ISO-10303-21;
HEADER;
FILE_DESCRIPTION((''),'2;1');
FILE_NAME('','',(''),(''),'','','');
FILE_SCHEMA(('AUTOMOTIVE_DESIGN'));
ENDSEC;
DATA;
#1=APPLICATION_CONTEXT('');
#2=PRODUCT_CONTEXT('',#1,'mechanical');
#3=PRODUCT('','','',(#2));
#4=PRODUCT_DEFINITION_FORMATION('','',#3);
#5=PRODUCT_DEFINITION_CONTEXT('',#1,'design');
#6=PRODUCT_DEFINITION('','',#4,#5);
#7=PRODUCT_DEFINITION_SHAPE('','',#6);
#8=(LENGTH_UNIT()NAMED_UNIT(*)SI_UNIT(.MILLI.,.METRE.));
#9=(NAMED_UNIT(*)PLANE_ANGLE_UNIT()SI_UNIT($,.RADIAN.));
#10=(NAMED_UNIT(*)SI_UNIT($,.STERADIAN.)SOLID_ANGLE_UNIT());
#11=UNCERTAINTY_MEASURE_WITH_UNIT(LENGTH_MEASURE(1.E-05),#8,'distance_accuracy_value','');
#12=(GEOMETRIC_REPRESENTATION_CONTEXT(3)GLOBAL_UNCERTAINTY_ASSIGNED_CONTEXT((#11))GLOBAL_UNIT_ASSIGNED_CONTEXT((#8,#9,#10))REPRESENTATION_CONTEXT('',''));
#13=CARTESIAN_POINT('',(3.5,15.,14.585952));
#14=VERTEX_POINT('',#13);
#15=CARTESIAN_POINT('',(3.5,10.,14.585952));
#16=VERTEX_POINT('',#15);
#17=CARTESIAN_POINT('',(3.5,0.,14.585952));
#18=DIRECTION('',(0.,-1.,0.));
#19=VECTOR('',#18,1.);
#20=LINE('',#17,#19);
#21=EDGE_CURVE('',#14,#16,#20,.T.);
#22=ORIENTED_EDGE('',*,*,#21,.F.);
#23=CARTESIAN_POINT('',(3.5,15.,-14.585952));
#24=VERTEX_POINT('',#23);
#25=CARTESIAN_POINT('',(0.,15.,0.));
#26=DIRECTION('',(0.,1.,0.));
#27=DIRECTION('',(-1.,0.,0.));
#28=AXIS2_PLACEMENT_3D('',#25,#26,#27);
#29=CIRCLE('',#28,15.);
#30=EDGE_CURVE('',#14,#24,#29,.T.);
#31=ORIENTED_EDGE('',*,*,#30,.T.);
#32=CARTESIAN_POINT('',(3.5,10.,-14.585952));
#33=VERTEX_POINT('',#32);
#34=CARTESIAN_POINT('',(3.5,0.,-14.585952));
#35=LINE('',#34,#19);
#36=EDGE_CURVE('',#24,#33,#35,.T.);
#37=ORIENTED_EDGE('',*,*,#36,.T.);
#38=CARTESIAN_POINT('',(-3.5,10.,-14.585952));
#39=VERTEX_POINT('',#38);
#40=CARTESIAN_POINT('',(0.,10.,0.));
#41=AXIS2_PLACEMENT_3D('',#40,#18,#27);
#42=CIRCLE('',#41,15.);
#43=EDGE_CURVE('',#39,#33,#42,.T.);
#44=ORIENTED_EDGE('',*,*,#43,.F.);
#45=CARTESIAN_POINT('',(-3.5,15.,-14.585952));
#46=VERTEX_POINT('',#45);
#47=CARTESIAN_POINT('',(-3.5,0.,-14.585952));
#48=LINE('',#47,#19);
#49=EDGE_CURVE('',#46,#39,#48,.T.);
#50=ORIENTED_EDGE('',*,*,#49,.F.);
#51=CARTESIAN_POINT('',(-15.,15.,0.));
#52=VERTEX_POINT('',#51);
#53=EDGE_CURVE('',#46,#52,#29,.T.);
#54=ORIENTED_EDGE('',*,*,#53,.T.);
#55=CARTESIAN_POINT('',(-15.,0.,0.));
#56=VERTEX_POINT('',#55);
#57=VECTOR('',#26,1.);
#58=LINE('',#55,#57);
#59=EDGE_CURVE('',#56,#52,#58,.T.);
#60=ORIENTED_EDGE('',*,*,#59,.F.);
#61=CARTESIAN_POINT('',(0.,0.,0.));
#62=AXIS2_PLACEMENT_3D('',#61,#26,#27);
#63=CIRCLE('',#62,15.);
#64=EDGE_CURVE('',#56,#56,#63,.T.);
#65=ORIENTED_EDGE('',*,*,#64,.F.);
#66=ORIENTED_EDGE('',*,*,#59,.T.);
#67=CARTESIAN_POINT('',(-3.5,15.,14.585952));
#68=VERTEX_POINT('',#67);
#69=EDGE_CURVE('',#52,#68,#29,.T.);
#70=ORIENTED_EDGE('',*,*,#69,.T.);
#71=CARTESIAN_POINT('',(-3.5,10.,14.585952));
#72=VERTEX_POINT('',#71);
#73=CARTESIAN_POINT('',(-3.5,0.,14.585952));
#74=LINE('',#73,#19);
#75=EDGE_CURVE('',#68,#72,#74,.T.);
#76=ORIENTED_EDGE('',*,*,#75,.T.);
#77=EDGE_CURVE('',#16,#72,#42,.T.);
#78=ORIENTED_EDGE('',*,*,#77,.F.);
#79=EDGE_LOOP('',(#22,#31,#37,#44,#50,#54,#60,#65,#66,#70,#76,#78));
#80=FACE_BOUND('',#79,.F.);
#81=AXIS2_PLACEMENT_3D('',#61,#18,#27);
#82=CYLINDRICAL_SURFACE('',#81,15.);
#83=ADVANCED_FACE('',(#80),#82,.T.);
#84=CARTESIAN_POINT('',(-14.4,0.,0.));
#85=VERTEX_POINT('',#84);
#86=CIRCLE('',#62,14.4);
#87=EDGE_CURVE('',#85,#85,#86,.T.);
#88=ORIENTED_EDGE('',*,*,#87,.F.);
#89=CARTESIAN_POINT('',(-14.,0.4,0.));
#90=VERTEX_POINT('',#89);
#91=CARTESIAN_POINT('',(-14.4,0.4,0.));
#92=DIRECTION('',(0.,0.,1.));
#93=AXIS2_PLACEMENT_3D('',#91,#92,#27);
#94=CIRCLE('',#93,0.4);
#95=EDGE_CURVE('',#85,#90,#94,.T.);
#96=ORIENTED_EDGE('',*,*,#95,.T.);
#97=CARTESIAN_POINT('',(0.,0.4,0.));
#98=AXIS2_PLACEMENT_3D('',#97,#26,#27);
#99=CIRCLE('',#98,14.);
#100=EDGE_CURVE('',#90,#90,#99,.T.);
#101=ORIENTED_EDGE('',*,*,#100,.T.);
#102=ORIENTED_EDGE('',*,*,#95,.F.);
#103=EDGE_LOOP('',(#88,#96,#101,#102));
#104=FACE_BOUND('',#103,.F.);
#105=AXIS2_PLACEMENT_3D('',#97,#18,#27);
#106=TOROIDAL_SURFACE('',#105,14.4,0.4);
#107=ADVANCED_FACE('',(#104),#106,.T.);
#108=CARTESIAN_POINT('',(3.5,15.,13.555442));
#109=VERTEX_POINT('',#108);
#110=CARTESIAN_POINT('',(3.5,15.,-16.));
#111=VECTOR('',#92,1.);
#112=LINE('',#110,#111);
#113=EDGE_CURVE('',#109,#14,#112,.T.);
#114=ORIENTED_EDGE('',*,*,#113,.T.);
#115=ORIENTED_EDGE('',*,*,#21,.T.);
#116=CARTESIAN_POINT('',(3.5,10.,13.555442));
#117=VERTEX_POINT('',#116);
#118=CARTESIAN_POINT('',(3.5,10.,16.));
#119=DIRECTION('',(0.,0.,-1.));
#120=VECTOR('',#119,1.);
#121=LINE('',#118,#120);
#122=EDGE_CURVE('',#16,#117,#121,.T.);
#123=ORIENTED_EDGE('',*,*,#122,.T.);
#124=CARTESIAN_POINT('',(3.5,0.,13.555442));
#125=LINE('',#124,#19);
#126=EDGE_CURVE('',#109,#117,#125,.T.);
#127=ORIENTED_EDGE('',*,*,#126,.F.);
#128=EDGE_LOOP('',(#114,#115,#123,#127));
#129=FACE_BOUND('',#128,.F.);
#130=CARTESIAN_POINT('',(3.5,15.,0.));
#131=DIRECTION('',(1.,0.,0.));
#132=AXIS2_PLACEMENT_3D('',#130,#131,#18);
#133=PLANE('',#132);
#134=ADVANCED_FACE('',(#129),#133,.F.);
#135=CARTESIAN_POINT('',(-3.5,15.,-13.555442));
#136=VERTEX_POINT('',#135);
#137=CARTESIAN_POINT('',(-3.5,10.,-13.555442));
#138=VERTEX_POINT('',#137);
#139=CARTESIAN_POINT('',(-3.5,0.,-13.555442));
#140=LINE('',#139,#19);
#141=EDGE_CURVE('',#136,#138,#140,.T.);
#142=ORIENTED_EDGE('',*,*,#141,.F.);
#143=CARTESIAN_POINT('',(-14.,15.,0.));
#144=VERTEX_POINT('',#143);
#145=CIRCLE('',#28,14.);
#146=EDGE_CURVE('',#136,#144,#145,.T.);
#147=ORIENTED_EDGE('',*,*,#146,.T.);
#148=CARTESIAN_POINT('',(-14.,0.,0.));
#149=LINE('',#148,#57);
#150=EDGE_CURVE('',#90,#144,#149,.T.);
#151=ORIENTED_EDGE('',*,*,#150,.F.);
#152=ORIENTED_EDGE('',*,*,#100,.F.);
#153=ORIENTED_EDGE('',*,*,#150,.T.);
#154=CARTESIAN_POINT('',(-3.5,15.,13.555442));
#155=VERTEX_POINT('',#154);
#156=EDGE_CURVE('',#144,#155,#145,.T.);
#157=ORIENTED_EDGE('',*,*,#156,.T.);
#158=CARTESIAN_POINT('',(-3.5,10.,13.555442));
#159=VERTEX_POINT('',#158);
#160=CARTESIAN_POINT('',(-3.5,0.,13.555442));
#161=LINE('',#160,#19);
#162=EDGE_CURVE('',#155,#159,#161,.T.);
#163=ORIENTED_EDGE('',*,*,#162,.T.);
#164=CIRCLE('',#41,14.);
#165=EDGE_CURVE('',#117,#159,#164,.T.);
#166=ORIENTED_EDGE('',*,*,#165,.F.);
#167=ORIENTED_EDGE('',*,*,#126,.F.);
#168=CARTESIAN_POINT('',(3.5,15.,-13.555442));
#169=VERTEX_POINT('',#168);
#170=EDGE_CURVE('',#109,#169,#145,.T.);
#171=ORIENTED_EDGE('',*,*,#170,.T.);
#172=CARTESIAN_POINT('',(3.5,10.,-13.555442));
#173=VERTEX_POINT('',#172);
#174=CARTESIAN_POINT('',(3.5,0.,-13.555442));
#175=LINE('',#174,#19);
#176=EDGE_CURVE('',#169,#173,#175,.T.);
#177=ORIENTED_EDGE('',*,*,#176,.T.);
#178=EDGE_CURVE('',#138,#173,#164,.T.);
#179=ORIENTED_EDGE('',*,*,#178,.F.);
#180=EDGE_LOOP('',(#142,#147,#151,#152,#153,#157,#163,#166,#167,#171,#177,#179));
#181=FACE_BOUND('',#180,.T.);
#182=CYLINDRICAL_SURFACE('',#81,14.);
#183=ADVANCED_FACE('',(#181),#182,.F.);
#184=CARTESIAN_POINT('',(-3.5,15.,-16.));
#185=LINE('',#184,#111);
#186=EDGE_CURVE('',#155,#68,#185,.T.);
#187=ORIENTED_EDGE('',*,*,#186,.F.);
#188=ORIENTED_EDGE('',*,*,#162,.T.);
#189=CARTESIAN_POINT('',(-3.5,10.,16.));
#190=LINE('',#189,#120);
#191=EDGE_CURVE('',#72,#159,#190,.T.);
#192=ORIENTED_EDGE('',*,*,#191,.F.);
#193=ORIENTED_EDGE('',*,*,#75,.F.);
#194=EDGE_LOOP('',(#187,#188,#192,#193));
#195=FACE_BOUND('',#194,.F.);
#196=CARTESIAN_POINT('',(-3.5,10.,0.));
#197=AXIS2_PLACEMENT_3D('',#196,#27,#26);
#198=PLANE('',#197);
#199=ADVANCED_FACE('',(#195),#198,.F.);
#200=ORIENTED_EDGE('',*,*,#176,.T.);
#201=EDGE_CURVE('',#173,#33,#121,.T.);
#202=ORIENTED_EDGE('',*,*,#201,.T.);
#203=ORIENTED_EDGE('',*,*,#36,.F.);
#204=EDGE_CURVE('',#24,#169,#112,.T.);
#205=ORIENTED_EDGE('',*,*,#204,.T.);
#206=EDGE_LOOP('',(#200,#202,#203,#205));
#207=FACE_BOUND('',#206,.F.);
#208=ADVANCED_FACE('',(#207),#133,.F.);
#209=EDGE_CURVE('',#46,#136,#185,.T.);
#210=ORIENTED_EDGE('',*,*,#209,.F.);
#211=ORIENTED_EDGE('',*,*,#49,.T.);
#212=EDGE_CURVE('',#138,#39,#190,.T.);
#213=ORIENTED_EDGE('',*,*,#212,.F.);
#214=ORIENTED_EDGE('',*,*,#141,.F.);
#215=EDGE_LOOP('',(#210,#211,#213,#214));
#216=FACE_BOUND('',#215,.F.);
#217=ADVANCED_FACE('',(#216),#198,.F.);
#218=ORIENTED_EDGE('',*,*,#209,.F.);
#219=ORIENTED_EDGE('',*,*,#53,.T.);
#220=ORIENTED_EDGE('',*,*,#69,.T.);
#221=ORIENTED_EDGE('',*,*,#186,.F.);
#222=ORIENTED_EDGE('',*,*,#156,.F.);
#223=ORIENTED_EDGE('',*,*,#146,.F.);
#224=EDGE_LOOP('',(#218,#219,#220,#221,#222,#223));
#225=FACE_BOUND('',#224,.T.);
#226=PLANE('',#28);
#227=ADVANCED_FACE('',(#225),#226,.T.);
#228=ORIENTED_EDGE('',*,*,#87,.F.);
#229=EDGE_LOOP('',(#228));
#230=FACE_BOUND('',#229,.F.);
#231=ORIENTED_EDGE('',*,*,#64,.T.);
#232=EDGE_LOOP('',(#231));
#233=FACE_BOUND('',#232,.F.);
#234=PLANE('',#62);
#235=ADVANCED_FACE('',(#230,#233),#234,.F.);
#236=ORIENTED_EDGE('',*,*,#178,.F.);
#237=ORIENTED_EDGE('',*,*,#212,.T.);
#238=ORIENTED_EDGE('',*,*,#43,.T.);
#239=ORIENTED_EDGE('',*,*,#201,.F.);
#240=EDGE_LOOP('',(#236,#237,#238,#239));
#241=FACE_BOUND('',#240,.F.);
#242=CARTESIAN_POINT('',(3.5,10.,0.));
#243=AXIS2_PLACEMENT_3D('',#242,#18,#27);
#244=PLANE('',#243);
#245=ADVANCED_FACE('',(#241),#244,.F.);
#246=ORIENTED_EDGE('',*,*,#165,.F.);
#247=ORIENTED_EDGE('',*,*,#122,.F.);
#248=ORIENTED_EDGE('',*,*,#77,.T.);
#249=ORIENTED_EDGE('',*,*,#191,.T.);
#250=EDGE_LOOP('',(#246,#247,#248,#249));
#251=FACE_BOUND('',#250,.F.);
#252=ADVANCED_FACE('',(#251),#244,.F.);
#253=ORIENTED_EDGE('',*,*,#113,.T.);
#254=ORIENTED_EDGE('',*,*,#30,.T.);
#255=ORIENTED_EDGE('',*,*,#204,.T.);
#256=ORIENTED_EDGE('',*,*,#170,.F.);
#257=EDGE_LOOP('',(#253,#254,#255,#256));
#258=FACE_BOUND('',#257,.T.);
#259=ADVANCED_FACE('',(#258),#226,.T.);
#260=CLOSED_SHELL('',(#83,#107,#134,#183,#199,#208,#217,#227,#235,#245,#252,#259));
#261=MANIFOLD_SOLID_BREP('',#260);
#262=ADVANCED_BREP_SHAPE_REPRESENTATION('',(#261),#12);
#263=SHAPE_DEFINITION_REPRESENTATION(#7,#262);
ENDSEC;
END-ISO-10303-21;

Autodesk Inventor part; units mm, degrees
ref_plane "YZ Plane" through (0, 0, 0) normal (1, 0, 0) x (0, 1, 0)
ref_plane "XZ Plane" through (0, 0, 0) normal (0, 1, 0) x (-1, 0, 0)
ref_plane "XY Plane" through (0, 0, 0) normal (0, 0, 1) x (1, 0, 0)
sketch "Sketch1" plane through (0, 0, 0) normal (0, 1, 0) x (-1, 0, 0)
  circle A0 centre (0, 0) radius 14
  circle A1 centre (0, 0) radius 15
  dimension "d0" = 1
  dimension "d1" = 28
extrude "Extrusion1" add sketch "Sketch1" along normal blind 15
sketch "Sketch2" plane through (0, 0, 0) normal (0, 0, 1) x (1, 0, 0)
  line L0 (15, 15) -> (-15, 15) projected
  line L1 (-3.5, 15) -> (3.5, 15)
  line L2 (3.5, 15) -> (3.5, 10)
  line L3 (3.5, 10) -> (-3.5, 10)
  line L4 (-3.5, 10) -> (-3.5, 15)
  point P0 (0, 0)
  point P1 (0, 10)
  dimension "d4" = 7
  dimension "d5" = 5
extrude "Extrusion2" cut sketch "Sketch2" along normal through all both and the other way through all
fillet "Fillet1" radius 0.4 1 edges at (14, 0, 0)
properties part number "tensioner_base"
